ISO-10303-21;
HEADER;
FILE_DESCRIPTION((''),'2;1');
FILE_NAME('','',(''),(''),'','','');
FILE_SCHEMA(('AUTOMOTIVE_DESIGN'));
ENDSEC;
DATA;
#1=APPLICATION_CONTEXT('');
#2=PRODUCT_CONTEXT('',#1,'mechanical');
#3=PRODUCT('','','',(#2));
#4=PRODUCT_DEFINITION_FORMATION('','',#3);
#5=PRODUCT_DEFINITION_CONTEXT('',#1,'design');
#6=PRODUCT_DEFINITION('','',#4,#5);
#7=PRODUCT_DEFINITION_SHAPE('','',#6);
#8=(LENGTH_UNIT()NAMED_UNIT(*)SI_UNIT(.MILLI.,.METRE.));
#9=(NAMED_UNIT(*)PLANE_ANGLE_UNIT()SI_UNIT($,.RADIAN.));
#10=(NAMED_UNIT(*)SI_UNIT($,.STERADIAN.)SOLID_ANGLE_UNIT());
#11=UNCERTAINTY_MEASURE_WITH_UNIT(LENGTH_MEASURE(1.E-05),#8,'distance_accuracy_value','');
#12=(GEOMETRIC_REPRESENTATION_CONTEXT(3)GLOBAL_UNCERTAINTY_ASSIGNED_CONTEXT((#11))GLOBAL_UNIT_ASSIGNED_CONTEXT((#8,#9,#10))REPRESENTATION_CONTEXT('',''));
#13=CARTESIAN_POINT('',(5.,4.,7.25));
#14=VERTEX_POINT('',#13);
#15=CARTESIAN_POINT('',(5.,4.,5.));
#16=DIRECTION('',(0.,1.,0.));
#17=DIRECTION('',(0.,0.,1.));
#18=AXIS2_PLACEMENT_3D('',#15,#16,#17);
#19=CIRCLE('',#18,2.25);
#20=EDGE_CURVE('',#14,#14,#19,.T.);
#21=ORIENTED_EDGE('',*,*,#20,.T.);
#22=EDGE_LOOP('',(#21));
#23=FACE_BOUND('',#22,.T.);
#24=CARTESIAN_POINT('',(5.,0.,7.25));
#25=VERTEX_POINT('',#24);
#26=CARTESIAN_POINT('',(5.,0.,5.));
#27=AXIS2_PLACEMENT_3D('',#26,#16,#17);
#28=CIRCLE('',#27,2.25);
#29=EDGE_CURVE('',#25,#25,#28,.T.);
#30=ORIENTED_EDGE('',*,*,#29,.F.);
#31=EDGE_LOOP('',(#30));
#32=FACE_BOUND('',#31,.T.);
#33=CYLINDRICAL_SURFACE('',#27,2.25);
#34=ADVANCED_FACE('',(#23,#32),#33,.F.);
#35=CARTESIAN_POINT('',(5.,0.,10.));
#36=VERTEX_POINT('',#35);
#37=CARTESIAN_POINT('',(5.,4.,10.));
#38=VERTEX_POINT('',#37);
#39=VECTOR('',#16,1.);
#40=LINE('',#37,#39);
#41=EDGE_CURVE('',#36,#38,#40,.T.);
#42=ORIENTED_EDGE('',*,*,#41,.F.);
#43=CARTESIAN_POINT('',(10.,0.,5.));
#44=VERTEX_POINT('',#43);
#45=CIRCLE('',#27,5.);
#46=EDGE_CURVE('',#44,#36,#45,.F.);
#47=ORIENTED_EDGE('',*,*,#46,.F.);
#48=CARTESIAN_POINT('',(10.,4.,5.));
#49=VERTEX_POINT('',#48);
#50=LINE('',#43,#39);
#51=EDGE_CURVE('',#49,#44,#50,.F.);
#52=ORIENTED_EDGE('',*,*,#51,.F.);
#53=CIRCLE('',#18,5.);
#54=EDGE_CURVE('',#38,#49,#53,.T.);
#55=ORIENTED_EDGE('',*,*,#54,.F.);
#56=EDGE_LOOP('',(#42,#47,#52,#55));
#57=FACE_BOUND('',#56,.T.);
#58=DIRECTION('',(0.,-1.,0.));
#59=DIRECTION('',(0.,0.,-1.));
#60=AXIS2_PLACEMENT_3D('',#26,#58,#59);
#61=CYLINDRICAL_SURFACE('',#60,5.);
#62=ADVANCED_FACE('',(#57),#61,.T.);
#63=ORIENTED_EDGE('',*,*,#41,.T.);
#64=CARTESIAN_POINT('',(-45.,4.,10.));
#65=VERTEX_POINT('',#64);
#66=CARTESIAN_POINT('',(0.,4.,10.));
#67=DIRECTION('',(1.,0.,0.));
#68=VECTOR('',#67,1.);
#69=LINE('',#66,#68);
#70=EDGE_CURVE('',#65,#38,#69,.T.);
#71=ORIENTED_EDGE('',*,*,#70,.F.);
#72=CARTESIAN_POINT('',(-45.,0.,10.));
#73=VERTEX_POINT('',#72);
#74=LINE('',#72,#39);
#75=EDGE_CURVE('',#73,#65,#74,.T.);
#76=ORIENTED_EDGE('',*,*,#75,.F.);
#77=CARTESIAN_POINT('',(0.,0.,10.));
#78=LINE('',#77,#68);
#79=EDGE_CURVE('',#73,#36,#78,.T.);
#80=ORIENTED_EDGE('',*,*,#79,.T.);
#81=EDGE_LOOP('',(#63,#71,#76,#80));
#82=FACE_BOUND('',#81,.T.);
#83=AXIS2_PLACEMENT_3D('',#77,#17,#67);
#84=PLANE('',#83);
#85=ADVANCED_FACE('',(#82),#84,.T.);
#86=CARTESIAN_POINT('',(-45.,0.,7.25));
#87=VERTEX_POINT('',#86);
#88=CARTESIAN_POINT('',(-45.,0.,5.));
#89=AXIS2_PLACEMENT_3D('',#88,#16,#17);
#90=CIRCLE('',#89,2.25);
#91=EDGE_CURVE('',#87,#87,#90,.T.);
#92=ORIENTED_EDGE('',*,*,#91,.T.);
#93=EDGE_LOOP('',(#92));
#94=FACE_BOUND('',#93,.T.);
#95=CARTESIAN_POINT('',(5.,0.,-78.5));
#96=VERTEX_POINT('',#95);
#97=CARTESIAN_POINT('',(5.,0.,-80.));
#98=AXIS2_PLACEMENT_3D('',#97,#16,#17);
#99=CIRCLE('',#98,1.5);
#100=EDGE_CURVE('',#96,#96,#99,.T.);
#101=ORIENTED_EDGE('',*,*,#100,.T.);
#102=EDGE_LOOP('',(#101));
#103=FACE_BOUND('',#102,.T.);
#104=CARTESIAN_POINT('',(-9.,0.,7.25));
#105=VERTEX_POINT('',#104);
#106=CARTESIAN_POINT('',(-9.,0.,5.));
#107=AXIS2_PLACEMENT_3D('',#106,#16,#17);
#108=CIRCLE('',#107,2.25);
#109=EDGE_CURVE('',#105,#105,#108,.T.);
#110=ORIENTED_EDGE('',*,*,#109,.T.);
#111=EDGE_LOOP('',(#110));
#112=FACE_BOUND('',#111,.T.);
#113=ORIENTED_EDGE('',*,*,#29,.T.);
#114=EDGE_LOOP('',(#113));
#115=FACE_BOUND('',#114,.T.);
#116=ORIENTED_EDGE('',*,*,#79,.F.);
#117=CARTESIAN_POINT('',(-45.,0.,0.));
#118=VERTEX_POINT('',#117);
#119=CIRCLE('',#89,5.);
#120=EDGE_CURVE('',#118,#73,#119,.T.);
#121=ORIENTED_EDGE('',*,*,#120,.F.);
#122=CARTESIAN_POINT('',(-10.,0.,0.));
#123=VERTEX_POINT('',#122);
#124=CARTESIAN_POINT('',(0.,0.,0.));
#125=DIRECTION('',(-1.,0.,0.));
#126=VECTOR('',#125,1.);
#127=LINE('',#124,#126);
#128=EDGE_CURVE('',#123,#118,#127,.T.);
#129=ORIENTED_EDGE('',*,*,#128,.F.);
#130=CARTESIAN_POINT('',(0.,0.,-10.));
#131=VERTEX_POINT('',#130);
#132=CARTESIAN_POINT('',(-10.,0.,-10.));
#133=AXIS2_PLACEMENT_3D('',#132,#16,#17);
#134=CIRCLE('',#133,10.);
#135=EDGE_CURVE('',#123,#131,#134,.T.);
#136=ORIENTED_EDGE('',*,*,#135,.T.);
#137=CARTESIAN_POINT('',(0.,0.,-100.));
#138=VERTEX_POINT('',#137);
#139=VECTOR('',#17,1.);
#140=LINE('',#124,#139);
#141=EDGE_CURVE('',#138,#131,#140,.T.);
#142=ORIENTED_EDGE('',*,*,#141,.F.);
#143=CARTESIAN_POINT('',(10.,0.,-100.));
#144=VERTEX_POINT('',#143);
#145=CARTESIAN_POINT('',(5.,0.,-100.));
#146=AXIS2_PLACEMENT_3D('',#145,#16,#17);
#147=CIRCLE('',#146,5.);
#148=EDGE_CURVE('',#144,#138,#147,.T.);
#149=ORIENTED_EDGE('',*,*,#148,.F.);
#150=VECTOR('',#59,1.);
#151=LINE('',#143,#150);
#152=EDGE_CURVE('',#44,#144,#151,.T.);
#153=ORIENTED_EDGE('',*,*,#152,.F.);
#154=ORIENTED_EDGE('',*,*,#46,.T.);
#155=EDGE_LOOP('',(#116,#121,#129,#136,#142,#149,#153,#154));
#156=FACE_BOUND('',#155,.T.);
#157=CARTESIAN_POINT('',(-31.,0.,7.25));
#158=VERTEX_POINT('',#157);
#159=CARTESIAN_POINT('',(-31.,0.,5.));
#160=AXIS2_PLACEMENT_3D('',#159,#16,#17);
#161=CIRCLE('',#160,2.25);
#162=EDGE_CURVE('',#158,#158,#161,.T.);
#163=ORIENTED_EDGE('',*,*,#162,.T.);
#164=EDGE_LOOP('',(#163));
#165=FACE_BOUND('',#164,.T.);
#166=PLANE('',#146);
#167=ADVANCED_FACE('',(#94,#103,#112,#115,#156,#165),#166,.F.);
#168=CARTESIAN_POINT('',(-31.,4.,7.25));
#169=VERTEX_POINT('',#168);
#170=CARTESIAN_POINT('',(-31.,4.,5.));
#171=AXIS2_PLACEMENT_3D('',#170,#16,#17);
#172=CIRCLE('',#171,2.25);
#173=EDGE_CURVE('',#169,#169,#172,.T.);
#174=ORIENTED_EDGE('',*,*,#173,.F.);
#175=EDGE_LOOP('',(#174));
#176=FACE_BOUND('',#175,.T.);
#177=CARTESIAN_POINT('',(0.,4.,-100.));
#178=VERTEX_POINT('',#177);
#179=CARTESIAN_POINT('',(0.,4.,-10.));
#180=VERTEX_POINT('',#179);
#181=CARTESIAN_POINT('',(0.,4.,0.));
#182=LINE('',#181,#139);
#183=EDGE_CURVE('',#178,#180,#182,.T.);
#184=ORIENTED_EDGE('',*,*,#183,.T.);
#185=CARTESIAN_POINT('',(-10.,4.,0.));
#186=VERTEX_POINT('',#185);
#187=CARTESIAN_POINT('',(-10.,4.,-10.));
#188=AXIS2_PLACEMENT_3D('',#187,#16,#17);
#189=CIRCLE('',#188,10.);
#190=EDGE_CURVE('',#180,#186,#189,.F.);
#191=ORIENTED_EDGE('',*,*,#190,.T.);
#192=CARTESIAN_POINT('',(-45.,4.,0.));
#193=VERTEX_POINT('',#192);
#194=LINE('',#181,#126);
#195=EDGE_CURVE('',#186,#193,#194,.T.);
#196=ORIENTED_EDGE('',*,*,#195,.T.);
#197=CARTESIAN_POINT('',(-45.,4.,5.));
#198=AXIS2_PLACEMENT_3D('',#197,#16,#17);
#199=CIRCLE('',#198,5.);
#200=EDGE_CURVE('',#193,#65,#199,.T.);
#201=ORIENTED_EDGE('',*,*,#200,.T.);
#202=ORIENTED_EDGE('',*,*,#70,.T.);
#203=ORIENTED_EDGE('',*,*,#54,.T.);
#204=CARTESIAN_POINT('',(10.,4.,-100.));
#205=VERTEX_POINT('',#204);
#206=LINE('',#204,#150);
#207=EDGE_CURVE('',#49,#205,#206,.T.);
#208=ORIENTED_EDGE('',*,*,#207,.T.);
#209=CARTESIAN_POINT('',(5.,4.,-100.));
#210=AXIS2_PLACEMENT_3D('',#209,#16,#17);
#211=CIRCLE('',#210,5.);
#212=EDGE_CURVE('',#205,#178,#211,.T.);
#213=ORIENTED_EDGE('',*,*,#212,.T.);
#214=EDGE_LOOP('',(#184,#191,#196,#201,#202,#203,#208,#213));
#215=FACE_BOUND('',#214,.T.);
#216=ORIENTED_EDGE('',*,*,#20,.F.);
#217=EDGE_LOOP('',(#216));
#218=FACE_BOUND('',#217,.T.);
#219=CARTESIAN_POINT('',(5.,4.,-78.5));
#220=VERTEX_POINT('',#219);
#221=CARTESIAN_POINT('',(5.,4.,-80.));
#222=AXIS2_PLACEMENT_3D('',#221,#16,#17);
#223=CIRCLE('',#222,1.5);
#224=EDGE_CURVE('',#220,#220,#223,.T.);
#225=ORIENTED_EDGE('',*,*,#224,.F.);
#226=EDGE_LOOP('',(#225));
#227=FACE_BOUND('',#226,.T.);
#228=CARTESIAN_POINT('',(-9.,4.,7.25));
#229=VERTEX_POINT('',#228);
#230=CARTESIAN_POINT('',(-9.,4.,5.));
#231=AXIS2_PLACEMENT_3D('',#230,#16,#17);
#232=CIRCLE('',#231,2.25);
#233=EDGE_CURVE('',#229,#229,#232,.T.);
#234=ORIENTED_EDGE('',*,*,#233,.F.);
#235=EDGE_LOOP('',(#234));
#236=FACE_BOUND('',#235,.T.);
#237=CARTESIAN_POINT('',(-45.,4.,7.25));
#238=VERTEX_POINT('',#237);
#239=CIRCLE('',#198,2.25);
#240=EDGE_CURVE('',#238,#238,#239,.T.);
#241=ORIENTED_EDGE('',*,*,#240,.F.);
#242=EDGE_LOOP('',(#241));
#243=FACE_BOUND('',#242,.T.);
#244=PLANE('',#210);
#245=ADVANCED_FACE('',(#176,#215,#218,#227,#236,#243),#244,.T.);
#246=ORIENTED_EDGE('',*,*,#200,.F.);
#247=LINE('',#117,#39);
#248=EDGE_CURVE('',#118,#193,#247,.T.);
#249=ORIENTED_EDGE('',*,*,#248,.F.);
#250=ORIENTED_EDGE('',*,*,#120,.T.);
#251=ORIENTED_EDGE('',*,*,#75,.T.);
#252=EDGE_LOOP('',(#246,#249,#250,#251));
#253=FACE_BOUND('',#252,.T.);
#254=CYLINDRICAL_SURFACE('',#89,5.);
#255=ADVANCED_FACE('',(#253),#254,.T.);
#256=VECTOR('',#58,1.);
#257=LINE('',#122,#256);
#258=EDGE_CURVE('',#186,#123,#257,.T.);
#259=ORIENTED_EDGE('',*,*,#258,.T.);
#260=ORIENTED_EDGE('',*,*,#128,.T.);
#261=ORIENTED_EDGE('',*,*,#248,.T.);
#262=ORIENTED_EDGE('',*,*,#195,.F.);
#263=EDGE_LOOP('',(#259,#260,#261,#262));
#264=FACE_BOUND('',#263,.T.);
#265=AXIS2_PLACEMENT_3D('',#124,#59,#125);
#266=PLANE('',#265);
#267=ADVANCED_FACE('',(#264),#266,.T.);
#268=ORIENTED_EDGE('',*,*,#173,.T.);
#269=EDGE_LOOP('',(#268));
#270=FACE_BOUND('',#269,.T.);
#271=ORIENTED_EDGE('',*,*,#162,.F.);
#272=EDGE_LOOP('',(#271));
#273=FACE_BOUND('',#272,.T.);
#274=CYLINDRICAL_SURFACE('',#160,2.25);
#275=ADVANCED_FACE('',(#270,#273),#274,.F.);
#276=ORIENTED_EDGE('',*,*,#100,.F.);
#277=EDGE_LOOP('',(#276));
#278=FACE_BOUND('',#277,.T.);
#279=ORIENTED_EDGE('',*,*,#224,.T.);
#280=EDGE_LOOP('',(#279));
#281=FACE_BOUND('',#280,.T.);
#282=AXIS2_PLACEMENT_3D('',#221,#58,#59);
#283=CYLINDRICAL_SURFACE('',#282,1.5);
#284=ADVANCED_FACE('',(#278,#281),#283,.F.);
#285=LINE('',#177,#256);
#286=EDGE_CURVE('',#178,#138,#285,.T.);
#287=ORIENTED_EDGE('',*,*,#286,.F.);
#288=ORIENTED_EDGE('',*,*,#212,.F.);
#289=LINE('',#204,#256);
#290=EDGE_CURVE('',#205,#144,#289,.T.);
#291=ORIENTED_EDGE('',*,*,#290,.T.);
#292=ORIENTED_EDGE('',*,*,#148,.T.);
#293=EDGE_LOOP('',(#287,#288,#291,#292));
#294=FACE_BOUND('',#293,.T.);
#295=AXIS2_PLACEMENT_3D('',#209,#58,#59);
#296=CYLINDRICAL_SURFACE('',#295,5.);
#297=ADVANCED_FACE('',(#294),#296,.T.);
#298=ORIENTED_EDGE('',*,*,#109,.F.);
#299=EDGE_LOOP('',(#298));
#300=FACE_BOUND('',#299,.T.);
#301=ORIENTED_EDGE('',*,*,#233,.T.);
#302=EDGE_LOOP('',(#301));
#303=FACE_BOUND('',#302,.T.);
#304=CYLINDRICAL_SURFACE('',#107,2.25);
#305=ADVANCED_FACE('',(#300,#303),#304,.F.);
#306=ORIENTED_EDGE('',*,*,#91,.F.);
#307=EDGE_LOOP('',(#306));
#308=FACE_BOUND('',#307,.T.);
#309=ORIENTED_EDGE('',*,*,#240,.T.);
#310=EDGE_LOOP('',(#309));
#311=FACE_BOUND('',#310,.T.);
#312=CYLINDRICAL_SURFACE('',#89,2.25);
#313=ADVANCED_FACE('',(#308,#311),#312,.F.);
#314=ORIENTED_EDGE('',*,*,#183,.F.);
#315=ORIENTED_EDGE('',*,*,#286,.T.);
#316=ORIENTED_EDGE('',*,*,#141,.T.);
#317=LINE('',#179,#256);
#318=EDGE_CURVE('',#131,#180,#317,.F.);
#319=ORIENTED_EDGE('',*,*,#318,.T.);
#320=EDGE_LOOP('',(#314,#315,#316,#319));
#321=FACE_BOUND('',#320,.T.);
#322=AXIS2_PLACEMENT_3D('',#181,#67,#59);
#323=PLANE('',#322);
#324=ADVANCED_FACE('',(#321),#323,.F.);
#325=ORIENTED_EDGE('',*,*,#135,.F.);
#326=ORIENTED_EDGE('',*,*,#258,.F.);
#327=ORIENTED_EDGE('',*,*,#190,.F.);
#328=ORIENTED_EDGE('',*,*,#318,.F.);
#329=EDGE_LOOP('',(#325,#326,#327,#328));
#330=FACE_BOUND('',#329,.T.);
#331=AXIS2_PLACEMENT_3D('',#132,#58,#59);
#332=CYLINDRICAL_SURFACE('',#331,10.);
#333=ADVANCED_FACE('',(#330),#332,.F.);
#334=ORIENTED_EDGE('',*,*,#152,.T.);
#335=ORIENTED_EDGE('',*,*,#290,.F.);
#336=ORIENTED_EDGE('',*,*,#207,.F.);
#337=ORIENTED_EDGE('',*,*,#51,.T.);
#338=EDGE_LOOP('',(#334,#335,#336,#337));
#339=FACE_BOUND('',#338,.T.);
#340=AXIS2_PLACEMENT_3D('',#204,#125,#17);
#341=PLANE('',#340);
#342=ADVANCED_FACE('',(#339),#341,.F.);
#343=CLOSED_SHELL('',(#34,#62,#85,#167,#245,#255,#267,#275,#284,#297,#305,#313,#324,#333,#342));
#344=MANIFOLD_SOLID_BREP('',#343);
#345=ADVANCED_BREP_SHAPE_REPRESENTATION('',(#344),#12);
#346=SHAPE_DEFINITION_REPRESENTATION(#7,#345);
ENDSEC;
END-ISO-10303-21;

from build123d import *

# Parameters (mm, degrees)
SKETCH1_R           = 1.5
BOSS_EXTRUDE1_DEPTH = 4
SKETCH2_R           = 2.25
BOSS_EXTRUDE2_DEPTH = 4
FILLET1_R           = 10
FILLET2_R           = 5


with BuildPart() as part:
    # Sketch1 → Boss-Extrude1 (new body)
    with BuildSketch(Plane(origin=(0, 0, 0), x_dir=(1, 0, 0), z_dir=(0, 1, 0))):
        with BuildLine():
            Line((0, 0), (0, 100))
            ThreePointArc((0, 100), (5, 105), (10, 100))
            Line((10, 100), (10, 0))
            Line((10, 0), (0, 0))
        make_face()
        with Locations((5, 80)):
            Circle(SKETCH1_R, mode=Mode.SUBTRACT)
    extrude(amount=BOSS_EXTRUDE1_DEPTH)

    # Sketch2 → Boss-Extrude2 (add)
    with BuildSketch(Plane(origin=(0, 4, 0), x_dir=(1, 0, 0), z_dir=(0, 1, 0))):
        with BuildLine():
            Line((10, 0), (0, 0))
            Line((0, 0), (-45, 0))
            ThreePointArc((-45, 0), (-50, -5), (-45, -10))
            Line((-45, -10), (10, -10))
            Line((10, -10), (10, 0))
        make_face()
        with Locations((-45, -5)):
            Circle(SKETCH2_R, mode=Mode.SUBTRACT)
        with Locations((-31, -5)):
            Circle(SKETCH2_R, mode=Mode.SUBTRACT)
        with Locations((-9, -5)):
            Circle(SKETCH2_R, mode=Mode.SUBTRACT)
        with Locations((5, -5)):
            Circle(SKETCH2_R, mode=Mode.SUBTRACT)
    extrude(amount=-BOSS_EXTRUDE2_DEPTH)

    # Fillet1
    fillet1_edges = [part.edges().sort_by_distance(p)[0] for p in [
        (0, 2, 0),
    ]]
    fillet(fillet1_edges, radius=FILLET1_R)

    # Fillet2
    fillet2_edges = [part.edges().sort_by_distance(p)[0] for p in [
        (10, 2, 10),
    ]]
    fillet(fillet2_edges, radius=FILLET2_R)


solid = part.part
